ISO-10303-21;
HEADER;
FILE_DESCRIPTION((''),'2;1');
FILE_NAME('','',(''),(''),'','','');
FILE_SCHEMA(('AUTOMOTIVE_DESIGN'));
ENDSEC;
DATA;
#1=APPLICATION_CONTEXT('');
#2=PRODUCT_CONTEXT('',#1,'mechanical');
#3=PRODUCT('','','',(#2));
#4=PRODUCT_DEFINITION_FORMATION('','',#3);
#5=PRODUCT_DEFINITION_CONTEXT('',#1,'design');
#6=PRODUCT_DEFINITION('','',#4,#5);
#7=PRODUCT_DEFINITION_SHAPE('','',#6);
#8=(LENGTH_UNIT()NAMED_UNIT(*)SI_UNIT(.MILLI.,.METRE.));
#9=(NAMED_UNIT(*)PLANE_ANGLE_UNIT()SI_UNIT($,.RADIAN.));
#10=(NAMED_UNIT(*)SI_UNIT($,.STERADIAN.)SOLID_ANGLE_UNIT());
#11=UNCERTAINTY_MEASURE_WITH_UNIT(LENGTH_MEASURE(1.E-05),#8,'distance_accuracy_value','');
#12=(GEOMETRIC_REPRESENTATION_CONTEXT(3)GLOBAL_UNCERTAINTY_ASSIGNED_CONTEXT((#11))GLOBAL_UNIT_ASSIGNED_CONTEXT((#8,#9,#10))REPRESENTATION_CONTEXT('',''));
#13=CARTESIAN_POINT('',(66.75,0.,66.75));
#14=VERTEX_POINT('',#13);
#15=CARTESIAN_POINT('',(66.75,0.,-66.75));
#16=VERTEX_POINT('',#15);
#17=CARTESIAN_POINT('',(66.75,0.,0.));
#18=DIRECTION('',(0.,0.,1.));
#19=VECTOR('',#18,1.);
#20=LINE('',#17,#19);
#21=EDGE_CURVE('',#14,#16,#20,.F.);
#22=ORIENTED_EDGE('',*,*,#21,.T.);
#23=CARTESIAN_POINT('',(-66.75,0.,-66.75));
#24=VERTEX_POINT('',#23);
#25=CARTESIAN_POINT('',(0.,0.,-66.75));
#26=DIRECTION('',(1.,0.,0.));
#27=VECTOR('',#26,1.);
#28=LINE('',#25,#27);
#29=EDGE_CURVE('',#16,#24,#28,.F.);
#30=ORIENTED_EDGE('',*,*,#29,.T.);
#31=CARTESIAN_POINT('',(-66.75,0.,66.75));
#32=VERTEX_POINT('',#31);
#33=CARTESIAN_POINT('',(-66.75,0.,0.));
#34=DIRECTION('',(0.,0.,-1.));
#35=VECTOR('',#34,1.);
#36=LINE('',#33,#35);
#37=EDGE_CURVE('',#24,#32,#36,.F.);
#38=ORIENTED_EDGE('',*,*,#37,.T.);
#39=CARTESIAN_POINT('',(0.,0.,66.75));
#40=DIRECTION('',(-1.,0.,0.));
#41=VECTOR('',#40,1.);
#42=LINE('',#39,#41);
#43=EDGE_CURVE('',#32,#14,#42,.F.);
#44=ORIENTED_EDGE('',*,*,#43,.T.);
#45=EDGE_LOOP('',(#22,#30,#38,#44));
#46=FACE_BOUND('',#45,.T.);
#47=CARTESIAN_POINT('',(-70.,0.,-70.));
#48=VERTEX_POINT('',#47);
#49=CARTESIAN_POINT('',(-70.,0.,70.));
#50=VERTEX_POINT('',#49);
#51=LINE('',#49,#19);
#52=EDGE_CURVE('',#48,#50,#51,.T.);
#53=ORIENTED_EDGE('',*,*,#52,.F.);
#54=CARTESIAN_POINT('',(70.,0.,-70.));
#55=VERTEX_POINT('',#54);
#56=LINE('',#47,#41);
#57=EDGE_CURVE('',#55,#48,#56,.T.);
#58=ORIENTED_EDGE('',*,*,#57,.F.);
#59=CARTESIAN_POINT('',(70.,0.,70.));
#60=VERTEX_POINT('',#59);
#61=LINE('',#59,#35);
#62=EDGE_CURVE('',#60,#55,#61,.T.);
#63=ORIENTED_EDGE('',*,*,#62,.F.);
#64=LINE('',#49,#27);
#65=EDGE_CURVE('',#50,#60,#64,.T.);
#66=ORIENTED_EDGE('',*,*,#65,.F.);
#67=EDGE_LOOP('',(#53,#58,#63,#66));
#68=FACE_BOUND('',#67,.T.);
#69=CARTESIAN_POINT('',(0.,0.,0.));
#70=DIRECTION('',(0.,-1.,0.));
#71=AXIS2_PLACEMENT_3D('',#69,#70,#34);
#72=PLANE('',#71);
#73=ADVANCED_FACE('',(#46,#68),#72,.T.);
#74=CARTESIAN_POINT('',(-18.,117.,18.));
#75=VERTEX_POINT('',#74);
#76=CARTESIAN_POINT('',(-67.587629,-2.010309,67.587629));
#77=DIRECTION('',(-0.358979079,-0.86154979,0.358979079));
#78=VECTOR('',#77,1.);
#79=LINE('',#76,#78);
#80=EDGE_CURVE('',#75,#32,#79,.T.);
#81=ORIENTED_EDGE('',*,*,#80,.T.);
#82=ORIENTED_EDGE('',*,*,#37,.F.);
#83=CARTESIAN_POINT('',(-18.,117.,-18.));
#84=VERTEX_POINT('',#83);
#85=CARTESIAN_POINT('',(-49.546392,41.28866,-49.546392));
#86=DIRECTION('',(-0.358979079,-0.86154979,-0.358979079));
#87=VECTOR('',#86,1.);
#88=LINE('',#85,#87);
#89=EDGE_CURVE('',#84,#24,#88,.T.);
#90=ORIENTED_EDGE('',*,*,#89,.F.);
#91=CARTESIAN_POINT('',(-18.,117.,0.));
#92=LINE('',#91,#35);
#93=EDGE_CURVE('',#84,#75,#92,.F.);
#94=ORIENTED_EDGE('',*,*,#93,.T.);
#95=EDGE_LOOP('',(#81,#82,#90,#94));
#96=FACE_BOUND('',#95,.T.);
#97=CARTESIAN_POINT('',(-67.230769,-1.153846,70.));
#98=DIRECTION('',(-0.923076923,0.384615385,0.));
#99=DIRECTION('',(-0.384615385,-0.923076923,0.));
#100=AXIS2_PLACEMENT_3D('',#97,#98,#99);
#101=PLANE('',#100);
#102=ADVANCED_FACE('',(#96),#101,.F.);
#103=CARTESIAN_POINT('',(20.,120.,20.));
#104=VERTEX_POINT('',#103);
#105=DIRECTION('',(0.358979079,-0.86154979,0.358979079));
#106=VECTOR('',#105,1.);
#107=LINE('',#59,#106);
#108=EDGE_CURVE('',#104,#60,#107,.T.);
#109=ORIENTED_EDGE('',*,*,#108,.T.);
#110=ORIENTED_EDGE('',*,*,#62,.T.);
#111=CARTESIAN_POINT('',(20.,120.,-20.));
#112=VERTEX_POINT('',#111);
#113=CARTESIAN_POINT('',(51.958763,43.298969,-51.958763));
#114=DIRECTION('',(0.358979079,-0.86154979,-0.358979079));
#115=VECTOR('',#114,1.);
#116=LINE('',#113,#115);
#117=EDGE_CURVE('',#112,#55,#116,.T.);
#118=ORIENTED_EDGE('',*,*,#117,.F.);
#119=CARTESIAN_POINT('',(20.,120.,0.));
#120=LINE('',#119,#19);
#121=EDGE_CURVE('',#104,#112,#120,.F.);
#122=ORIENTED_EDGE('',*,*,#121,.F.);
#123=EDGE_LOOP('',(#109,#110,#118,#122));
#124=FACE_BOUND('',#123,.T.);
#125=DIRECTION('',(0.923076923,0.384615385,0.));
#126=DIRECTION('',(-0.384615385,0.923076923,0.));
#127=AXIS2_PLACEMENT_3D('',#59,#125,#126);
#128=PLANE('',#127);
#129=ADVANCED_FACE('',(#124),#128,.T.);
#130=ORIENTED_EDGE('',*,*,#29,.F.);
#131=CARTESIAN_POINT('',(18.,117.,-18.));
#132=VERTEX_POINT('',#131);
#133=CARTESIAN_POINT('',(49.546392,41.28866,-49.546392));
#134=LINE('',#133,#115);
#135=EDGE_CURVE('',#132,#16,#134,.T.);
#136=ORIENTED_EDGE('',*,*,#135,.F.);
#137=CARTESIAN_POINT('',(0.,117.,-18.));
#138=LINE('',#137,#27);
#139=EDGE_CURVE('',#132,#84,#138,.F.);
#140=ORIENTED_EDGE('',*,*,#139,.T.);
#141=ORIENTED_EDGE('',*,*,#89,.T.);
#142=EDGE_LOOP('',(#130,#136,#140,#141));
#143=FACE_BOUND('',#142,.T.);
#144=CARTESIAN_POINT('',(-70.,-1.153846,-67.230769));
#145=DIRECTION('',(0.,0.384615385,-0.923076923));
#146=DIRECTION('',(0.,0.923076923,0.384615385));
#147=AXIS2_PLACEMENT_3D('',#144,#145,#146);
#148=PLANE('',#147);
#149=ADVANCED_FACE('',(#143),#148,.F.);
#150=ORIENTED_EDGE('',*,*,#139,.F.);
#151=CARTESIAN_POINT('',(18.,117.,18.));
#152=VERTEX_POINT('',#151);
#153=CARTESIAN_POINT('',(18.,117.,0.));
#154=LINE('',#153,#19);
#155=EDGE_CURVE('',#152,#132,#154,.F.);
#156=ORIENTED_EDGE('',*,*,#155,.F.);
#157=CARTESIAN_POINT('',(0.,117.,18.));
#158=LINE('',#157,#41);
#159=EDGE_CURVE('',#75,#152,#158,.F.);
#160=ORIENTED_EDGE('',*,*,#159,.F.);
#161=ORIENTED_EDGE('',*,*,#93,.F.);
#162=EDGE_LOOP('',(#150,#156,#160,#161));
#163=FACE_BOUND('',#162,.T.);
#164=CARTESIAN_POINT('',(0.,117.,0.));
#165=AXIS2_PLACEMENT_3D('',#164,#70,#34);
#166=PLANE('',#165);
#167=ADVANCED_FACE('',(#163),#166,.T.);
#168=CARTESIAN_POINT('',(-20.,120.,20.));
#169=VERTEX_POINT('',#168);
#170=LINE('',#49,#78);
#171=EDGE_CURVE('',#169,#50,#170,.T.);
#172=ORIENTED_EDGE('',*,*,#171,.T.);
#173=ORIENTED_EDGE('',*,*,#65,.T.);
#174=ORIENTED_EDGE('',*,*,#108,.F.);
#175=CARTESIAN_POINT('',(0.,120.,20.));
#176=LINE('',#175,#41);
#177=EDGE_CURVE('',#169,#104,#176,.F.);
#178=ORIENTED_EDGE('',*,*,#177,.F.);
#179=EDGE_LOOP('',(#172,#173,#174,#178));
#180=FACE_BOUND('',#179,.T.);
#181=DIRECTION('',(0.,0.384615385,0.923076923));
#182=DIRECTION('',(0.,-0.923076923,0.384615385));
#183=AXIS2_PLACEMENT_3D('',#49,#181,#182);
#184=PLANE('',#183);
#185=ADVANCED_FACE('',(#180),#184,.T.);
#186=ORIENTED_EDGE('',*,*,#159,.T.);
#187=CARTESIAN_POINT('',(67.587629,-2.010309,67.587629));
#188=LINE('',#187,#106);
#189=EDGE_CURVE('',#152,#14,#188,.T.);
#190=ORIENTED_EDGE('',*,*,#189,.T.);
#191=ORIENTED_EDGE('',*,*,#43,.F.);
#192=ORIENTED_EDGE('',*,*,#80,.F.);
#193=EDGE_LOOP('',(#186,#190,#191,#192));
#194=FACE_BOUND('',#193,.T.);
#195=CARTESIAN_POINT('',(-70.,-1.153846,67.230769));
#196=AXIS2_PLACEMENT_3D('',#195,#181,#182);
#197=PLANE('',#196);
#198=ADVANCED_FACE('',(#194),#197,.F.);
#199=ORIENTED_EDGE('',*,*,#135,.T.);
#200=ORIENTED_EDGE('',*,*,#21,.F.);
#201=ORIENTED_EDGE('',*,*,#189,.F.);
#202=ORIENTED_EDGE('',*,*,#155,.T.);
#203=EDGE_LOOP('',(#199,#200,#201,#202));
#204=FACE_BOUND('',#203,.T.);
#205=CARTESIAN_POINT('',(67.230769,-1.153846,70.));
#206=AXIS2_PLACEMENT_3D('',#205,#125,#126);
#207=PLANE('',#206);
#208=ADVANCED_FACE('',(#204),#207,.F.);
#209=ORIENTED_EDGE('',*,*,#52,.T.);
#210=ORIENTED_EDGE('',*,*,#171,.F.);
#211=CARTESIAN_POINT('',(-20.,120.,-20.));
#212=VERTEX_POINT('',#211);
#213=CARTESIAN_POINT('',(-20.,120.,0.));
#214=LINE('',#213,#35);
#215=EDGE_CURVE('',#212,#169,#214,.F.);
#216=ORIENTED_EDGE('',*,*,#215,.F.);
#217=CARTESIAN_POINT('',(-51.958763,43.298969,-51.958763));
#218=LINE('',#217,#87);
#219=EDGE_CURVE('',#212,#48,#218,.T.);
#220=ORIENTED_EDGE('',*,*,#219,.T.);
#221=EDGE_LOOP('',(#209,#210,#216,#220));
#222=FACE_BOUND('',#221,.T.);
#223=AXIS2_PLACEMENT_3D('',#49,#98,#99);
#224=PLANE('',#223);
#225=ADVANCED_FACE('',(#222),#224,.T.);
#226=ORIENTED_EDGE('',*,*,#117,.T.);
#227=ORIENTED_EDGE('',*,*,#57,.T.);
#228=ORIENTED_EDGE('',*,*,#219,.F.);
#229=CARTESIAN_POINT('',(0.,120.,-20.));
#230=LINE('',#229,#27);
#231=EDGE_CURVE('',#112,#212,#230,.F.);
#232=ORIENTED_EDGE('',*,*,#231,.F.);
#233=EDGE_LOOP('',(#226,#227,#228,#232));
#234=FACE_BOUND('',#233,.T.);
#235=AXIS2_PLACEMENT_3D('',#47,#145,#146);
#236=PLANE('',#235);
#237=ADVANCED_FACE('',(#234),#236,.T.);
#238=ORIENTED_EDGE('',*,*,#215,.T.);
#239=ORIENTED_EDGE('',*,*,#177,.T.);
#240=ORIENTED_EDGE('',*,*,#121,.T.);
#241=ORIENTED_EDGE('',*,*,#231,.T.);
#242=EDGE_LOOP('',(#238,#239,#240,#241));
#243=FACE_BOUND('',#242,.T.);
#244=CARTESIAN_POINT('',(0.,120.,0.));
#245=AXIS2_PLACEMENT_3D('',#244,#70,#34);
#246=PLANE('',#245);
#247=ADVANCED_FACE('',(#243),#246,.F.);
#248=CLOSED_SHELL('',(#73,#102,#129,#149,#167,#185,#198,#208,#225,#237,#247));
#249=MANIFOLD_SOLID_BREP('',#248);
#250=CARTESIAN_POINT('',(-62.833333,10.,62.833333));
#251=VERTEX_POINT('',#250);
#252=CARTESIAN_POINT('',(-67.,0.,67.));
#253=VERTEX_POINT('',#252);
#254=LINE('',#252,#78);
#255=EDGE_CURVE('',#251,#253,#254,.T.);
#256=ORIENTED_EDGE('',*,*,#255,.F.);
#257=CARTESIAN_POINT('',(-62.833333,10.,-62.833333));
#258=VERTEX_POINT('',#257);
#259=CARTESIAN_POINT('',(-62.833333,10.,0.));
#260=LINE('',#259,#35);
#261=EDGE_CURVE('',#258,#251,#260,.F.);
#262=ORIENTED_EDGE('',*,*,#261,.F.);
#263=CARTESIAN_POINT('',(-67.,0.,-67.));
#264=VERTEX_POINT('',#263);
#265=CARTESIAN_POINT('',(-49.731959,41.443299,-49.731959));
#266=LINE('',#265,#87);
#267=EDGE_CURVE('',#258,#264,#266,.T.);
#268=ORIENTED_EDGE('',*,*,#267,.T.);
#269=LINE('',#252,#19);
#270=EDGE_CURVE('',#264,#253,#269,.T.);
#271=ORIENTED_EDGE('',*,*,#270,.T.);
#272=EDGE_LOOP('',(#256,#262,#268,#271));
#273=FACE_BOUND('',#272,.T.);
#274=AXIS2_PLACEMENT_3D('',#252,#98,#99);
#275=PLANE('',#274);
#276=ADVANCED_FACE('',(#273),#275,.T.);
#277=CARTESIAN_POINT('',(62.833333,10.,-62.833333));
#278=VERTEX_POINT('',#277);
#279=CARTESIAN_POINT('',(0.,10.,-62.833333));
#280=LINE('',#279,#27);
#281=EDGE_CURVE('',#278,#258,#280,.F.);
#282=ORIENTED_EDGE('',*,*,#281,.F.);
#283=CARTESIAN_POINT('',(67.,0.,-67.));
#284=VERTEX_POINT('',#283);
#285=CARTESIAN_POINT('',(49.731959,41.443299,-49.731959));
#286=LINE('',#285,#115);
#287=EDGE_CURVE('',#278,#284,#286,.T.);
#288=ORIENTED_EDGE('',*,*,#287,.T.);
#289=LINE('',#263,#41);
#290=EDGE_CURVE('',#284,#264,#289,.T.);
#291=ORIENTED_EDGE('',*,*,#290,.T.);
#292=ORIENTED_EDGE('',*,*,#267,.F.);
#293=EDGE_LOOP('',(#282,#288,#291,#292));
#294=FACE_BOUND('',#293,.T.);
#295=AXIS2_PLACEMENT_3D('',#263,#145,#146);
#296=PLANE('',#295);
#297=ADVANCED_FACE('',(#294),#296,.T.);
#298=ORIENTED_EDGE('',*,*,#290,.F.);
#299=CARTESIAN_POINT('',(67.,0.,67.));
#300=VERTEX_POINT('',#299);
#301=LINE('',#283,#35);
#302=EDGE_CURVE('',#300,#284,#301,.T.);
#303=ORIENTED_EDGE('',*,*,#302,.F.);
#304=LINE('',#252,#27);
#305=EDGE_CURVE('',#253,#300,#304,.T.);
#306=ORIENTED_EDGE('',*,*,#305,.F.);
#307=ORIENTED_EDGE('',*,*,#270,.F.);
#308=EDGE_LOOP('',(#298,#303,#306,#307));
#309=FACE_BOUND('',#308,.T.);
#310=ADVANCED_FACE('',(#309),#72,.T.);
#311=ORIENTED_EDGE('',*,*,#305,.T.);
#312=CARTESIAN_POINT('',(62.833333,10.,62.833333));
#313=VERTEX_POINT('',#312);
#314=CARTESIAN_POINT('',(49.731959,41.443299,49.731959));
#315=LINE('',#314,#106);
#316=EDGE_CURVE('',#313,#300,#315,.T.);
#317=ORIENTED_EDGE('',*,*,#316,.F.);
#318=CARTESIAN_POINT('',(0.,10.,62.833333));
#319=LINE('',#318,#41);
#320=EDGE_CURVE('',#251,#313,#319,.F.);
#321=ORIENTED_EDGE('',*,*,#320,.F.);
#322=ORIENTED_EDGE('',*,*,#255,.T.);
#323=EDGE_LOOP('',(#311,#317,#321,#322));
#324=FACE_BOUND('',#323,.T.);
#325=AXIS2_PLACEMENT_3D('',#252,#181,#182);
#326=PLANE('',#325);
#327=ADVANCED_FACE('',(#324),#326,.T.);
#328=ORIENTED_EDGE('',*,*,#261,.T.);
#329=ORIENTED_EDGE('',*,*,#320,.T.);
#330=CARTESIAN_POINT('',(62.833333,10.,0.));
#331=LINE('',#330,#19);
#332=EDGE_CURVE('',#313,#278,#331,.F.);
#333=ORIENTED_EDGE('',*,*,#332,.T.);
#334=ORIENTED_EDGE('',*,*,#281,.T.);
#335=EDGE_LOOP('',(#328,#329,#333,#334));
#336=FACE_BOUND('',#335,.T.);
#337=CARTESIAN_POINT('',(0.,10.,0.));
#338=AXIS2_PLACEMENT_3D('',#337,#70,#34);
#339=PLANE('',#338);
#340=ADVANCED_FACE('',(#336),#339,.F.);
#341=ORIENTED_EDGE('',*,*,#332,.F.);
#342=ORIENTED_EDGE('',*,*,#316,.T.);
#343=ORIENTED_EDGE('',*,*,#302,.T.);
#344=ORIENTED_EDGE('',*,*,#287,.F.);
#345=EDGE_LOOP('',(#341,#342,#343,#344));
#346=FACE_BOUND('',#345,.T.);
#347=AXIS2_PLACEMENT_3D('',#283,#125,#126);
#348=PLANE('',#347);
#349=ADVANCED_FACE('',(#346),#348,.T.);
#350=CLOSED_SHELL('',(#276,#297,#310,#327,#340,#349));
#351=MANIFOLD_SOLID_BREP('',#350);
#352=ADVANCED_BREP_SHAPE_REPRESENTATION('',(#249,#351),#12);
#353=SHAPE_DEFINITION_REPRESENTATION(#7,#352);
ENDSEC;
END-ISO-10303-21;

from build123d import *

# Parameters (mm, degrees)
SKETCH_1_W         = 140
SKETCH_1_H         = 140
EXTRUDE_1_DEPTH    = 120
EXTRUDE_1_TAPER    = 22.61986495
SHELL_1_T          = -3
SKETCH_000000000_W = 134
SKETCH_000000000_H = 134
EXTRUDE_2_DEPTH    = 10
EXTRUDE_2_TAPER    = 22.61986495


with BuildPart() as part:
    # 草图1 → 凸台-拉伸1 (new body)
    with BuildSketch(Plane(origin=(0, 0, 0), x_dir=(1, 0, 0), z_dir=(0, 1, 0))):
        Rectangle(SKETCH_1_W, SKETCH_1_H)
    extrude(amount=EXTRUDE_1_DEPTH, taper=EXTRUDE_1_TAPER)

    # 抽壳1
    shell_1_openings = [part.faces().sort_by_distance(p)[0] for p in [
        (0, 0, 0),
    ]]
    offset(amount=SHELL_1_T, openings=shell_1_openings, kind=Kind.INTERSECTION)


with BuildPart() as body_2:
    # 000000000 → 凸台-拉伸2 (new body)
    with BuildSketch(Plane(origin=(0, 0, 0), x_dir=(1, 0, 0), z_dir=(0, 1, 0))):
        Rectangle(SKETCH_000000000_W, SKETCH_000000000_H)
    extrude(amount=EXTRUDE_2_DEPTH, taper=EXTRUDE_2_TAPER)


solid = Compound([part.part, body_2.part])
